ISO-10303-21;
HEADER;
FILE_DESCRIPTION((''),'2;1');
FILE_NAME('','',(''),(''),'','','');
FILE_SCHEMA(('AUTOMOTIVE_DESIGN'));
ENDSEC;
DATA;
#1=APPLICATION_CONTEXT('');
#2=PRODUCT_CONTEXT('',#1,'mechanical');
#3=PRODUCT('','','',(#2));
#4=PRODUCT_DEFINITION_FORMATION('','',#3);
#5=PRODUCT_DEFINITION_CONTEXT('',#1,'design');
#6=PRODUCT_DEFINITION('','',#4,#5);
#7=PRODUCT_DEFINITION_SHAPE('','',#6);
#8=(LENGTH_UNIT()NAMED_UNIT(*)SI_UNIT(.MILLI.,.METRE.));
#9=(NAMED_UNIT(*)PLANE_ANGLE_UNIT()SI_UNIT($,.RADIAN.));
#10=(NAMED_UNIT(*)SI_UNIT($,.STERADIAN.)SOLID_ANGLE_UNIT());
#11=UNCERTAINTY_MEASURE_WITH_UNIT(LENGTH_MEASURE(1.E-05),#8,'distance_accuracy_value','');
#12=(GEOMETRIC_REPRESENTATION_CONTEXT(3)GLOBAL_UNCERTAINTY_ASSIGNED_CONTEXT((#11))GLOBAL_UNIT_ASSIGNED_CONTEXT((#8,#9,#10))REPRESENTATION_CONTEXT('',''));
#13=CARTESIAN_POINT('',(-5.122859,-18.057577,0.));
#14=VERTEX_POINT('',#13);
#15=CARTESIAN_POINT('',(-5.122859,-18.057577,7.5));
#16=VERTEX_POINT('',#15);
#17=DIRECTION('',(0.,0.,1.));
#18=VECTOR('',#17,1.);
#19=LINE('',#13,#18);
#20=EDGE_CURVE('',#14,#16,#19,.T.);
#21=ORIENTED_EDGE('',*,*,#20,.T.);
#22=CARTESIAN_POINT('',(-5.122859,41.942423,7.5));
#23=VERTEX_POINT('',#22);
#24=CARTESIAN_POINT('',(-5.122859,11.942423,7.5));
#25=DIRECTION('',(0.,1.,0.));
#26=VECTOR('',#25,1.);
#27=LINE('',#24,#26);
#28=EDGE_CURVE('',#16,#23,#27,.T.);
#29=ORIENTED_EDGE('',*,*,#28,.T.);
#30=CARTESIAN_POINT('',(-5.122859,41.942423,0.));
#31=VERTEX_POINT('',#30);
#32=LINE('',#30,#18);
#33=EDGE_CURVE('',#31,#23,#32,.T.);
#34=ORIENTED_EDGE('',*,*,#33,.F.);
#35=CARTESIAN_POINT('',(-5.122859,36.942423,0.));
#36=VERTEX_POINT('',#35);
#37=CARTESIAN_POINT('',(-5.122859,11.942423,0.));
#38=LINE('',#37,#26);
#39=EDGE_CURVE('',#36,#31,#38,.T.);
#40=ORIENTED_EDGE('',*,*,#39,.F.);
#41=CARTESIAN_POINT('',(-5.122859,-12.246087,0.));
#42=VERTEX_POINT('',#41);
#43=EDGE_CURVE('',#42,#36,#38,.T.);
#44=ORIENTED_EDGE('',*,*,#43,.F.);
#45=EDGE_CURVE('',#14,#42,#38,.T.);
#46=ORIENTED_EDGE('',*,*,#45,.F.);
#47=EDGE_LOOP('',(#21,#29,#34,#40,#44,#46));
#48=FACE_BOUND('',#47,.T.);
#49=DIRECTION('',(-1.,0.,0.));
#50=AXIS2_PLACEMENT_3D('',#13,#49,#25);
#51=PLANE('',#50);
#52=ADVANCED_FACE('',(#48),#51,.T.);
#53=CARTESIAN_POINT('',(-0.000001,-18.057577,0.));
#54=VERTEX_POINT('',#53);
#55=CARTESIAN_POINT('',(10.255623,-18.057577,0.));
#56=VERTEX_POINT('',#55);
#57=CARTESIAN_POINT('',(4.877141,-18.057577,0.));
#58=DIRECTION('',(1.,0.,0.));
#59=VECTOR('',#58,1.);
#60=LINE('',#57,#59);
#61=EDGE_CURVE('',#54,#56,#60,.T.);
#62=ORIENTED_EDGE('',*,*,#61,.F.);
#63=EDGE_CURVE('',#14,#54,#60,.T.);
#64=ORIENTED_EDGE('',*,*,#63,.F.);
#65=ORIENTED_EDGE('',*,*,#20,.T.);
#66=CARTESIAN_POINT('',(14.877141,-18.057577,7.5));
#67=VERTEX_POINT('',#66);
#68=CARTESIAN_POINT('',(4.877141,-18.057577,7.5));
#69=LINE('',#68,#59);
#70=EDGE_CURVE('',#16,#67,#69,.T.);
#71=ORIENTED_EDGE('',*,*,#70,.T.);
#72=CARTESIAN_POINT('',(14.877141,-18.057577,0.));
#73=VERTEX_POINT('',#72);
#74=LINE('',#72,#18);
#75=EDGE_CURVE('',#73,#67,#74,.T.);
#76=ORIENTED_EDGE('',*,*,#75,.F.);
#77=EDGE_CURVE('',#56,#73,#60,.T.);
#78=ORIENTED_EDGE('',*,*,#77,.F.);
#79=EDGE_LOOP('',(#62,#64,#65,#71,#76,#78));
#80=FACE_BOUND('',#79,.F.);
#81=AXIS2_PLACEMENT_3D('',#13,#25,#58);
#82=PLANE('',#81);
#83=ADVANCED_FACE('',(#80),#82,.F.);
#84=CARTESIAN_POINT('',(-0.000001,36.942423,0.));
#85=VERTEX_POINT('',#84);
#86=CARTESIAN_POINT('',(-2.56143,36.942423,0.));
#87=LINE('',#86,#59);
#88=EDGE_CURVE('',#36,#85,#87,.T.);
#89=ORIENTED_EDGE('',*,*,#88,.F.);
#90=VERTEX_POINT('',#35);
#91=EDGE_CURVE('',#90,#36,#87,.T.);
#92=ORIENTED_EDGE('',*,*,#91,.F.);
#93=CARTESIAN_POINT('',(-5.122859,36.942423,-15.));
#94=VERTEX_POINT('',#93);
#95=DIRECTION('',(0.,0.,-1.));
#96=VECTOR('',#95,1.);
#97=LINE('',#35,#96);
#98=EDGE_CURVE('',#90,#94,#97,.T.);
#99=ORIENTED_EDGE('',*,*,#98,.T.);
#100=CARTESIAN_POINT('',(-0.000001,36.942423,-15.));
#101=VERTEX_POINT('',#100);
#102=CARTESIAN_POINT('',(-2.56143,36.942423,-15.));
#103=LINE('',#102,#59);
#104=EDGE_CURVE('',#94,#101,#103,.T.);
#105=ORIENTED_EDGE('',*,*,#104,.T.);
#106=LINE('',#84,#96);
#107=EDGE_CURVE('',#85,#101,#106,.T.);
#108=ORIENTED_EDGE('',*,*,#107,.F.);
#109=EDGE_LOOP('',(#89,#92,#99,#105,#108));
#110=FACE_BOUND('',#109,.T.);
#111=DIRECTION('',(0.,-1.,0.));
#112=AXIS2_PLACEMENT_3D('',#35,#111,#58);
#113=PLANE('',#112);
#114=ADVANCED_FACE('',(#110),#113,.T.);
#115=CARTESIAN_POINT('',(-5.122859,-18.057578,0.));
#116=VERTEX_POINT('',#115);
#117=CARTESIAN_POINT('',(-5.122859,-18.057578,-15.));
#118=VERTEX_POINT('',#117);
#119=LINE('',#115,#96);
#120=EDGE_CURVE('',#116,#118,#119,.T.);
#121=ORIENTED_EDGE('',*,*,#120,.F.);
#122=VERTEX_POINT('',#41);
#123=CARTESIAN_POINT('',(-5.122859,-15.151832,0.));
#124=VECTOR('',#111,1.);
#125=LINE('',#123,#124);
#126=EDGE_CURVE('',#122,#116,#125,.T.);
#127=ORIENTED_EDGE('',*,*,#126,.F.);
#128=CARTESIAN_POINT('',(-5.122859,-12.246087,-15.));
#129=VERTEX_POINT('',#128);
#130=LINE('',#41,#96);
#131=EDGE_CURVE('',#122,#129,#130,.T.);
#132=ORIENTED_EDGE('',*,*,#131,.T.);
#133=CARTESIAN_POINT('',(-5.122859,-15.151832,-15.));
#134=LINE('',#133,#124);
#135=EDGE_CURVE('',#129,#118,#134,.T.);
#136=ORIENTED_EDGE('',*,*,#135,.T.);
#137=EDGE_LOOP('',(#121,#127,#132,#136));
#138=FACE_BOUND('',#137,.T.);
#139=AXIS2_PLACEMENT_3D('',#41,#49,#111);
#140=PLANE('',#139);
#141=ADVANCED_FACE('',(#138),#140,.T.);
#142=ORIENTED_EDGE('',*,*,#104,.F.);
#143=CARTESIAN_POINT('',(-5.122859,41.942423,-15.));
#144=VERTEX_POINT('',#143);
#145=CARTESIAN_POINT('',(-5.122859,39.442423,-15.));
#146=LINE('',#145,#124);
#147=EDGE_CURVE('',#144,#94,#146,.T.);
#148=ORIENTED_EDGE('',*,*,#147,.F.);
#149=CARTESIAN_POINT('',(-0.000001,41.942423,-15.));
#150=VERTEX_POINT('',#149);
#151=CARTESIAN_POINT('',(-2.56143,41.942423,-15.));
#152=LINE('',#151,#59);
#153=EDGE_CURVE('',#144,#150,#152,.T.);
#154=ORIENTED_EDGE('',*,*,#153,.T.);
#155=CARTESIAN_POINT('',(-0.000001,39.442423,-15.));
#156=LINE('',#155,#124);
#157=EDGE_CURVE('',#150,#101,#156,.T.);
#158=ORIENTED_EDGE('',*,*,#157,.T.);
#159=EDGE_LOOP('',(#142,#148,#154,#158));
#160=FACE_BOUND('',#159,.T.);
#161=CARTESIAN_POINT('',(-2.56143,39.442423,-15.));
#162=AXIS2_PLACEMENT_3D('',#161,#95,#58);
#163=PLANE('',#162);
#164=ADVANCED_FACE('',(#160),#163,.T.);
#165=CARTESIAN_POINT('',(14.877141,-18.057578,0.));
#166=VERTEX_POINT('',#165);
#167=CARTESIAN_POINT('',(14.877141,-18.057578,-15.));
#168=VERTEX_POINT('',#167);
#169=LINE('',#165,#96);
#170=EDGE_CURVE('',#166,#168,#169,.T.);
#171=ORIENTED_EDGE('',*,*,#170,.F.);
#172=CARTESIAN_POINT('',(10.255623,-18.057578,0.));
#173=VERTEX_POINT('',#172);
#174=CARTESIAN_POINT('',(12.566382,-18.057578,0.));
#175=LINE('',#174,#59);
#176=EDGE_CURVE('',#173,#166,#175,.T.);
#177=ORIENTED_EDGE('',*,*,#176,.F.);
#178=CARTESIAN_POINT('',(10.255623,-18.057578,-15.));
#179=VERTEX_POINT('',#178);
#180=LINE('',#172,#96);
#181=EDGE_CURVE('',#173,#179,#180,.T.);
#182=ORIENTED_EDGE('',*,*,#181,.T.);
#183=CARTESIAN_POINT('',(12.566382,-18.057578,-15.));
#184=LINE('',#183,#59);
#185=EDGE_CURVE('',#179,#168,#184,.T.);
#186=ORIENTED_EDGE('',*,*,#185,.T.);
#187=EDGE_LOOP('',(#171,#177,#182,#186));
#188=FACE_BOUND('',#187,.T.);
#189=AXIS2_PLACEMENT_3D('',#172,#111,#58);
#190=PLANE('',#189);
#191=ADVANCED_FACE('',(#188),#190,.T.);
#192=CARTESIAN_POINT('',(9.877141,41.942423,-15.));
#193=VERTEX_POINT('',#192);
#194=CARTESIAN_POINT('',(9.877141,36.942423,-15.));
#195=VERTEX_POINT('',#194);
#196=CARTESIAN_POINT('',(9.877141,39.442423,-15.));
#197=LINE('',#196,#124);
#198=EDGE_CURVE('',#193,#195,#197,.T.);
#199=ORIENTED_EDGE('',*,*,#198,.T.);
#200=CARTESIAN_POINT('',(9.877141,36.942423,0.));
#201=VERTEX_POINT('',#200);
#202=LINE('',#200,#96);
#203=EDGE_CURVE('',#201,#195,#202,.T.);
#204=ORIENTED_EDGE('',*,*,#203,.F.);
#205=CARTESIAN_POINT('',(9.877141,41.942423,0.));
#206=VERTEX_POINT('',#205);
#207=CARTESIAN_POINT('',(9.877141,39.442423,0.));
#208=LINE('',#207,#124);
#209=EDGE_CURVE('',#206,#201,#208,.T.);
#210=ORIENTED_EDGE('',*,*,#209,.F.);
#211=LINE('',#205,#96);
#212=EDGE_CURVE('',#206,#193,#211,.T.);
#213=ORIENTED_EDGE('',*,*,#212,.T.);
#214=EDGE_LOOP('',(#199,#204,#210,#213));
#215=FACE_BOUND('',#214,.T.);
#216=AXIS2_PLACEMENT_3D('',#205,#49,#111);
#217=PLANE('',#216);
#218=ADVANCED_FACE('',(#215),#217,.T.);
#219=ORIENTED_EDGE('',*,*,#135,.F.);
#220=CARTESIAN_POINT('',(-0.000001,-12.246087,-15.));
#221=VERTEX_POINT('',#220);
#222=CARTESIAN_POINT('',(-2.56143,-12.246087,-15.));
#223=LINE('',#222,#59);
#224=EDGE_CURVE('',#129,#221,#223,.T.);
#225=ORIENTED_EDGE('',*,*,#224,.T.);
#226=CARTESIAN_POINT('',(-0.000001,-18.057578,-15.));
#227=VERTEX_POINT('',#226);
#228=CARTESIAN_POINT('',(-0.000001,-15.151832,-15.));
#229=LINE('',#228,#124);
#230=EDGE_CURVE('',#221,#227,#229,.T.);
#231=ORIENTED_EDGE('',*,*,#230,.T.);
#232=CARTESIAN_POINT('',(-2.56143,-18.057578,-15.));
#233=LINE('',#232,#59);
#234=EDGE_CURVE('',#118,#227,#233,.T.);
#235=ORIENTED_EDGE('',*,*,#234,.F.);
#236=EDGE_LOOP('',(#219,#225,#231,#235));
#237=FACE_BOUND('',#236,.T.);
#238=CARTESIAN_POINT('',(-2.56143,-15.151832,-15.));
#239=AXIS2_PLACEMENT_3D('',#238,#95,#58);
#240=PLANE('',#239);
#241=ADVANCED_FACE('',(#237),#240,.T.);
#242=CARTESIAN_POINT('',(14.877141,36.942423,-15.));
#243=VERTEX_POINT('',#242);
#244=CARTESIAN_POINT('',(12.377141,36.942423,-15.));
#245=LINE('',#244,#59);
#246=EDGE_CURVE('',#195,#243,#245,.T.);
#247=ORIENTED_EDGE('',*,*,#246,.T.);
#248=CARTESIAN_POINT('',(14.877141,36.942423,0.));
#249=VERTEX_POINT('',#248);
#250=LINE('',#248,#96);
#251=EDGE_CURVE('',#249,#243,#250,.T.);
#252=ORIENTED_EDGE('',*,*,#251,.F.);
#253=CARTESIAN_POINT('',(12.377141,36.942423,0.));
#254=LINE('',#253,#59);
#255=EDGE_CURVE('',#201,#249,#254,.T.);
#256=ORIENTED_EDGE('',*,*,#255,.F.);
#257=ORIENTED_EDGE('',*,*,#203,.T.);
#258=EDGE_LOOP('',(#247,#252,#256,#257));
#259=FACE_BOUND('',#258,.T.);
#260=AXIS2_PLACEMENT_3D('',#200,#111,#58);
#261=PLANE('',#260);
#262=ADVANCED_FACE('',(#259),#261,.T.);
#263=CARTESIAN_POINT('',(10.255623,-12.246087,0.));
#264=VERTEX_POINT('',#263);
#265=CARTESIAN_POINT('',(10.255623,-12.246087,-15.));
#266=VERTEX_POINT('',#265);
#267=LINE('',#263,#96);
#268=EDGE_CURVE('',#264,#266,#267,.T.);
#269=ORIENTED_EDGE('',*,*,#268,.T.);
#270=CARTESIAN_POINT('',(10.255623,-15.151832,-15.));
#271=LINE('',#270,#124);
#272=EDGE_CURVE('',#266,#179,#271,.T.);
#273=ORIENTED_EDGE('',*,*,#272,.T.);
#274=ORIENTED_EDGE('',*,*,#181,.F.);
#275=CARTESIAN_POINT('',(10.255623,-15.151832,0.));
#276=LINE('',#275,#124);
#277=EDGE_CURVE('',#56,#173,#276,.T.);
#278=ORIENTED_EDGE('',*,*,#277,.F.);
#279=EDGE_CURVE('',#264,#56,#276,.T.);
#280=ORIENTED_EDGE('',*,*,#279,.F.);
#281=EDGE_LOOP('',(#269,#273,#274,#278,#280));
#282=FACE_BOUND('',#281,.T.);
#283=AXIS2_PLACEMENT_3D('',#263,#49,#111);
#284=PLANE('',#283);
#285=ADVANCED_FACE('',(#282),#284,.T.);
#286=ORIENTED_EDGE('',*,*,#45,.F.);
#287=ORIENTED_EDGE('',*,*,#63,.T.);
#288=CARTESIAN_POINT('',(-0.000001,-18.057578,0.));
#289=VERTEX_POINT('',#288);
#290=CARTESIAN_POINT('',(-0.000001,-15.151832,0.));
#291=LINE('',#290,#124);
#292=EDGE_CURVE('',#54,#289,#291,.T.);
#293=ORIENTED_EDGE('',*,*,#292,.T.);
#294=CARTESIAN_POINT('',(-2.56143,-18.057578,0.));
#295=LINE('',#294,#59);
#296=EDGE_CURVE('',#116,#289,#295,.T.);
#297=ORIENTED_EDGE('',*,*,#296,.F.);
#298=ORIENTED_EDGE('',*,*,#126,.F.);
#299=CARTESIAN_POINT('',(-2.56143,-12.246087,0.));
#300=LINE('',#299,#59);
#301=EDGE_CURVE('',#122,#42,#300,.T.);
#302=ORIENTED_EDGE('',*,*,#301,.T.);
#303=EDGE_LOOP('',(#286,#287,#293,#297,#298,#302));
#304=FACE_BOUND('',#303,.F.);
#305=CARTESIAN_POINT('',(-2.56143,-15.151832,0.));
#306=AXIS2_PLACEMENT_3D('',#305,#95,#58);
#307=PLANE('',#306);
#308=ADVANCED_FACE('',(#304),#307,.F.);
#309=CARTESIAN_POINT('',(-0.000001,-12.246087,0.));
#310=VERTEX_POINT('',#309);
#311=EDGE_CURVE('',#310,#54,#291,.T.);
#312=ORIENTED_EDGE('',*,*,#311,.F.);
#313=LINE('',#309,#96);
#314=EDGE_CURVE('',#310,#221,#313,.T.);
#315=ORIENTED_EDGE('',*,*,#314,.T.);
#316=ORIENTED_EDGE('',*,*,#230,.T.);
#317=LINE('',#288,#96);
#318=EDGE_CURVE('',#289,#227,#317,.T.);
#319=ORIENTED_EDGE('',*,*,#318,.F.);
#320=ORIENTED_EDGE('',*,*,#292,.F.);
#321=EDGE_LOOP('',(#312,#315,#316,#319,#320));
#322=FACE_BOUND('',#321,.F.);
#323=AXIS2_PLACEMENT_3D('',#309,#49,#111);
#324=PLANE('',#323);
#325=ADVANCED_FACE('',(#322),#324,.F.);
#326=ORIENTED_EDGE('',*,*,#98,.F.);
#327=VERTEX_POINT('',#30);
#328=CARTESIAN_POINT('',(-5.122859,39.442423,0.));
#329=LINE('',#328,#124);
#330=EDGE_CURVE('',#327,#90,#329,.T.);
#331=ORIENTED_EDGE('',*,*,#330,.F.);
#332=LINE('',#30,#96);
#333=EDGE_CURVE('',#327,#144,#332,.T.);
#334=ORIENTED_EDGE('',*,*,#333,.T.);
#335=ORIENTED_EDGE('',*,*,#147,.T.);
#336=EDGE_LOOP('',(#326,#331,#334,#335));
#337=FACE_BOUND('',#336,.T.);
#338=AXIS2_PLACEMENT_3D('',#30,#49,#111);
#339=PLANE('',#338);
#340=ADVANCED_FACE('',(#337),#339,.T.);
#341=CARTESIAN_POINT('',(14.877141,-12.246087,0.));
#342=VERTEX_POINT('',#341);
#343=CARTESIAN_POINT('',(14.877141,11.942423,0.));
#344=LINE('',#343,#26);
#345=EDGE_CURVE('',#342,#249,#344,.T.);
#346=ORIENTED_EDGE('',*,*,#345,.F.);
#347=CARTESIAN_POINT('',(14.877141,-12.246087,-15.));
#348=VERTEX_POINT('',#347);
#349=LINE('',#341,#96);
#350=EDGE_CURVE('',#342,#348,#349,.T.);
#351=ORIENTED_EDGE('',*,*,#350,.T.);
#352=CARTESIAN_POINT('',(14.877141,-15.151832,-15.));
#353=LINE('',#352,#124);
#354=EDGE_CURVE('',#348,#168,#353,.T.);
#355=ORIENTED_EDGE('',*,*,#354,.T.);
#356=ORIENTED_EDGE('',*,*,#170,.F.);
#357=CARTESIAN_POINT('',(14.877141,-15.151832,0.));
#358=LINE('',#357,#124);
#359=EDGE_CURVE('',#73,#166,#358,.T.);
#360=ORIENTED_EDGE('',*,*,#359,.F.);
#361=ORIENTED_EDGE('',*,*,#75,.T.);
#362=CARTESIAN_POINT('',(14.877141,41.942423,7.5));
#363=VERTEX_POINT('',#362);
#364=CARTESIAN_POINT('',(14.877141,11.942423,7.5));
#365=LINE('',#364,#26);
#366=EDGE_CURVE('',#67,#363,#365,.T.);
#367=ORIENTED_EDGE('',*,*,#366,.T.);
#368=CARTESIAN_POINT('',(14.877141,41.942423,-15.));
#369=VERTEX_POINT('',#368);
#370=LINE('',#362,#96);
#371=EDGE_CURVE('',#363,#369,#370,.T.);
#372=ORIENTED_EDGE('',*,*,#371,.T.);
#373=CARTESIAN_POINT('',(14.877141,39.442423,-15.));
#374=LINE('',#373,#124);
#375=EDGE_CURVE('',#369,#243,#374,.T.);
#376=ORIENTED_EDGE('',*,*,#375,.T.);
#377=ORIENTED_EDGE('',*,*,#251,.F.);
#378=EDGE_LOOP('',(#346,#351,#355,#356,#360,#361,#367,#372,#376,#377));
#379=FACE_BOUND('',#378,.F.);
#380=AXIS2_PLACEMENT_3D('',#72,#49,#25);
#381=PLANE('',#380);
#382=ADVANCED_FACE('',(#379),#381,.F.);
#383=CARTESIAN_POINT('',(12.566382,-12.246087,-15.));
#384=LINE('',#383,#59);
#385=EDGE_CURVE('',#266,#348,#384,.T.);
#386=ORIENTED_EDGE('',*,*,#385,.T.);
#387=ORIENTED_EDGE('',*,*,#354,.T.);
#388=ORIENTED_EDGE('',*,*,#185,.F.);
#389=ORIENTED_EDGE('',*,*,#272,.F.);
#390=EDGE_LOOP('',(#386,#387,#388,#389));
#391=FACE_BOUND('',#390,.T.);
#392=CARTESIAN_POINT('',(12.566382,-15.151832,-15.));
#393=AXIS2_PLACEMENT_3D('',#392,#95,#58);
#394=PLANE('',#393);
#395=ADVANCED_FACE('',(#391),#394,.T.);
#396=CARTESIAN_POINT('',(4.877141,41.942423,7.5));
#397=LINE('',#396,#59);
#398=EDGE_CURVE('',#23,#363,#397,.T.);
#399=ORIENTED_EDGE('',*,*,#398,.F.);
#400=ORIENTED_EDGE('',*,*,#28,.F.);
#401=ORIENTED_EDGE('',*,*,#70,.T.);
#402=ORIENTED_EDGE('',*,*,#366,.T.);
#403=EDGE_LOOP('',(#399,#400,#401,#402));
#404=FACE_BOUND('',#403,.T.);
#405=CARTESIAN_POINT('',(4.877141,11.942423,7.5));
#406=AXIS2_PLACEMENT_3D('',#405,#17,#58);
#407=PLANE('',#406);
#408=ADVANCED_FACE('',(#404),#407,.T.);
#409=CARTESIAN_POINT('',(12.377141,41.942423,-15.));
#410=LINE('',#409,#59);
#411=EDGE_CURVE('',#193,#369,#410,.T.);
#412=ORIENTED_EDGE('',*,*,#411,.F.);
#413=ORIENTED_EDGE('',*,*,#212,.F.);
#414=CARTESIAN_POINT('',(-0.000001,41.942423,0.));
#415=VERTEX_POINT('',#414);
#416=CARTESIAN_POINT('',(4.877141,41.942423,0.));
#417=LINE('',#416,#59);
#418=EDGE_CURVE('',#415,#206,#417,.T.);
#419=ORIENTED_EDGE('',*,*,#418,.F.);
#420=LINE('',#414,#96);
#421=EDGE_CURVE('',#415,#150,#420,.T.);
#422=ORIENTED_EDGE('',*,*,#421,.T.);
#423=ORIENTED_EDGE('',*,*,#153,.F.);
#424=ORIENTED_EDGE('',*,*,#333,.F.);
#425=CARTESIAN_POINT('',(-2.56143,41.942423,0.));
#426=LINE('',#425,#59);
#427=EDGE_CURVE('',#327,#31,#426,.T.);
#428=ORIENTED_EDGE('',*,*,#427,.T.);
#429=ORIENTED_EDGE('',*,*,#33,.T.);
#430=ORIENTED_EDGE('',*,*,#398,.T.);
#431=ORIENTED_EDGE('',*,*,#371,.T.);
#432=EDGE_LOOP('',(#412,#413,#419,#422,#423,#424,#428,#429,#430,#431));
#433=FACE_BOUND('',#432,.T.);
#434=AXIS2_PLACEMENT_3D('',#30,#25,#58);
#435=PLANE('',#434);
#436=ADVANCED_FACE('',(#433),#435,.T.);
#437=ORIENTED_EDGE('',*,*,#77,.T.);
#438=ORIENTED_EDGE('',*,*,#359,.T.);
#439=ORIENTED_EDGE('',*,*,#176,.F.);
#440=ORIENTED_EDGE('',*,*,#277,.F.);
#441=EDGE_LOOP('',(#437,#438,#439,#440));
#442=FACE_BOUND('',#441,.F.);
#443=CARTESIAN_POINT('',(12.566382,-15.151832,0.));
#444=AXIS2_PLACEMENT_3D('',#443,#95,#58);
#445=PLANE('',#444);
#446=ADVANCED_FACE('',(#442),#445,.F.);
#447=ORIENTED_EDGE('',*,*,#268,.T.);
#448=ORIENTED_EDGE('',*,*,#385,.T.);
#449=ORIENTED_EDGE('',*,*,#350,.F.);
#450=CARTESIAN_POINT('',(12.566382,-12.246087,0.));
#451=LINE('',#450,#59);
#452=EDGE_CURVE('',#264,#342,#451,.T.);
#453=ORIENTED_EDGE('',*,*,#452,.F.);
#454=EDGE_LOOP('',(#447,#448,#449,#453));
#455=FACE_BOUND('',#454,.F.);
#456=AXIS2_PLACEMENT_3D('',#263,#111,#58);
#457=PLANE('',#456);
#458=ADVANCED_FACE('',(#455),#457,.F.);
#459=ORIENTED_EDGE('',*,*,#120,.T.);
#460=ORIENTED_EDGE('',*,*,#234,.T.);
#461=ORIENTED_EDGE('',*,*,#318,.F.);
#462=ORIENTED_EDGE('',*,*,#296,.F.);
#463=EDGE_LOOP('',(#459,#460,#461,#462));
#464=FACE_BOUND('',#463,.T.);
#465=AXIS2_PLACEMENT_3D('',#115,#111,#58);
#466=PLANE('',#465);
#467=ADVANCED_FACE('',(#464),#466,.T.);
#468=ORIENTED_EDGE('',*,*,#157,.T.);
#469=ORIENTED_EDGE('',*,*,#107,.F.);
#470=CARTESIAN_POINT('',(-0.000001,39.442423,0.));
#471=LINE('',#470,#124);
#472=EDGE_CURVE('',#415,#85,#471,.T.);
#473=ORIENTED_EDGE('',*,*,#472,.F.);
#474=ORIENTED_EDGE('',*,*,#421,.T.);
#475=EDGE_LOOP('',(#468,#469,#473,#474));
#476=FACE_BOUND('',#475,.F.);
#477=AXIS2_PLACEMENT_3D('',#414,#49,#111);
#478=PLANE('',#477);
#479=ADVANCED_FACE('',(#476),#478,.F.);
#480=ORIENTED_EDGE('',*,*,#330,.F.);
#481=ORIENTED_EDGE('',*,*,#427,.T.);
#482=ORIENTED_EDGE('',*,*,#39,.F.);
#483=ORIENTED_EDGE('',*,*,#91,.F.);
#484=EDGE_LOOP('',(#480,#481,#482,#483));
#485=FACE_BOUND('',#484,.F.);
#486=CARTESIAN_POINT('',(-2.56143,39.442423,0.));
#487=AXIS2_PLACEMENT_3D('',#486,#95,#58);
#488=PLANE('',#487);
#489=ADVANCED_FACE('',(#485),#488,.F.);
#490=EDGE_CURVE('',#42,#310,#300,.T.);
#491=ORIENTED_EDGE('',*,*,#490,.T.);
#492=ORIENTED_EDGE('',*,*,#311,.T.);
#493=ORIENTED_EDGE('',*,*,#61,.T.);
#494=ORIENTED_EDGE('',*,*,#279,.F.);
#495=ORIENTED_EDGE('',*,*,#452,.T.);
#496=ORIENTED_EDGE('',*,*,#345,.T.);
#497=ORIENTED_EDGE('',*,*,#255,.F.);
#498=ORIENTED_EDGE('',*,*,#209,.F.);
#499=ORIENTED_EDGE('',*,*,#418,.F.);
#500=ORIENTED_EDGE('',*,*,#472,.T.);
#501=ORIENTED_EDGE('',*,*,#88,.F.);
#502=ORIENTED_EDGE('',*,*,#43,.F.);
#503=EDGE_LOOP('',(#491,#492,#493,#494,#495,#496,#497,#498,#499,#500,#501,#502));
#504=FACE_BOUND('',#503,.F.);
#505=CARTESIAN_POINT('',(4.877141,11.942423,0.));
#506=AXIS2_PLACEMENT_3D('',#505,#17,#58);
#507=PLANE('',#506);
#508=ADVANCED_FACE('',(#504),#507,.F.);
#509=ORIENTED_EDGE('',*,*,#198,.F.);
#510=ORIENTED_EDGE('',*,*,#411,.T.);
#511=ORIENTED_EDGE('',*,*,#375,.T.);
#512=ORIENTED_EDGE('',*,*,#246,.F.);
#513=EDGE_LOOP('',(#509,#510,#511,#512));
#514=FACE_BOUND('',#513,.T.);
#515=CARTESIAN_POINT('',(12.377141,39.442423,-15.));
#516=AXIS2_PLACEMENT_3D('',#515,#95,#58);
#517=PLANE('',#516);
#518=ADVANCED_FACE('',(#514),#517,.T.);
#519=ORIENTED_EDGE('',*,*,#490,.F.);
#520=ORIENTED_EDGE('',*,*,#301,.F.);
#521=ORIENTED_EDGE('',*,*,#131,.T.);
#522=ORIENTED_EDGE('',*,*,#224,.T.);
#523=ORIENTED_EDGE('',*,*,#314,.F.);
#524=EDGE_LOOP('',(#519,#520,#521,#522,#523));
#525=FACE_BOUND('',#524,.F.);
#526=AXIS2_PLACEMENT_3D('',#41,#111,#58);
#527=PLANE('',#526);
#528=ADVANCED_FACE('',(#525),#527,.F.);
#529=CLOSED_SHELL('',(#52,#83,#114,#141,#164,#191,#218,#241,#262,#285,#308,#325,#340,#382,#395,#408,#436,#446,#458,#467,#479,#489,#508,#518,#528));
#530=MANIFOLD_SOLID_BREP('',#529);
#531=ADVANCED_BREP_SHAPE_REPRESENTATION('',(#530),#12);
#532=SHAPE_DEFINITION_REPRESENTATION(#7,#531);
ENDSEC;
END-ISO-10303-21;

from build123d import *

# Parameters (mm, degrees)
F0_W     = 20
F0_H     = 60
F1_DEPTH = 7.5
F2_W     = 5.122859
F2_H     = 5.811491
F2_W_2   = 4.621518
F2_W_3   = 5
F2_H_2   = 5
F3_DEPTH = 15


with BuildPart() as f1:
    # F0 (on Top) → F1 (new body)
    with BuildSketch(Plane.XY):
        with Locations((4.877141, 11.942423)):
            Rectangle(F0_W, F0_H)
    extrude(amount=F1_DEPTH)

    # F2 (on face) → F3 (join)
    with BuildSketch(Plane(origin=(0, 0, 0), x_dir=(1, 0, 0), z_dir=(0, 0, -1))):
        with Locations((-2.56143, 15.151832)):
            Rectangle(F2_W, F2_H)
        with Locations((12.566382, 15.151832)):
            Rectangle(F2_W_2, F2_H)
        with Locations((12.377141, -39.442423)):
            Rectangle(F2_W_3, F2_H_2)
        with Locations((-2.56143, -39.442423)):
            Rectangle(F2_W, F2_H_2)
    extrude(amount=F3_DEPTH)


solid = f1.part
